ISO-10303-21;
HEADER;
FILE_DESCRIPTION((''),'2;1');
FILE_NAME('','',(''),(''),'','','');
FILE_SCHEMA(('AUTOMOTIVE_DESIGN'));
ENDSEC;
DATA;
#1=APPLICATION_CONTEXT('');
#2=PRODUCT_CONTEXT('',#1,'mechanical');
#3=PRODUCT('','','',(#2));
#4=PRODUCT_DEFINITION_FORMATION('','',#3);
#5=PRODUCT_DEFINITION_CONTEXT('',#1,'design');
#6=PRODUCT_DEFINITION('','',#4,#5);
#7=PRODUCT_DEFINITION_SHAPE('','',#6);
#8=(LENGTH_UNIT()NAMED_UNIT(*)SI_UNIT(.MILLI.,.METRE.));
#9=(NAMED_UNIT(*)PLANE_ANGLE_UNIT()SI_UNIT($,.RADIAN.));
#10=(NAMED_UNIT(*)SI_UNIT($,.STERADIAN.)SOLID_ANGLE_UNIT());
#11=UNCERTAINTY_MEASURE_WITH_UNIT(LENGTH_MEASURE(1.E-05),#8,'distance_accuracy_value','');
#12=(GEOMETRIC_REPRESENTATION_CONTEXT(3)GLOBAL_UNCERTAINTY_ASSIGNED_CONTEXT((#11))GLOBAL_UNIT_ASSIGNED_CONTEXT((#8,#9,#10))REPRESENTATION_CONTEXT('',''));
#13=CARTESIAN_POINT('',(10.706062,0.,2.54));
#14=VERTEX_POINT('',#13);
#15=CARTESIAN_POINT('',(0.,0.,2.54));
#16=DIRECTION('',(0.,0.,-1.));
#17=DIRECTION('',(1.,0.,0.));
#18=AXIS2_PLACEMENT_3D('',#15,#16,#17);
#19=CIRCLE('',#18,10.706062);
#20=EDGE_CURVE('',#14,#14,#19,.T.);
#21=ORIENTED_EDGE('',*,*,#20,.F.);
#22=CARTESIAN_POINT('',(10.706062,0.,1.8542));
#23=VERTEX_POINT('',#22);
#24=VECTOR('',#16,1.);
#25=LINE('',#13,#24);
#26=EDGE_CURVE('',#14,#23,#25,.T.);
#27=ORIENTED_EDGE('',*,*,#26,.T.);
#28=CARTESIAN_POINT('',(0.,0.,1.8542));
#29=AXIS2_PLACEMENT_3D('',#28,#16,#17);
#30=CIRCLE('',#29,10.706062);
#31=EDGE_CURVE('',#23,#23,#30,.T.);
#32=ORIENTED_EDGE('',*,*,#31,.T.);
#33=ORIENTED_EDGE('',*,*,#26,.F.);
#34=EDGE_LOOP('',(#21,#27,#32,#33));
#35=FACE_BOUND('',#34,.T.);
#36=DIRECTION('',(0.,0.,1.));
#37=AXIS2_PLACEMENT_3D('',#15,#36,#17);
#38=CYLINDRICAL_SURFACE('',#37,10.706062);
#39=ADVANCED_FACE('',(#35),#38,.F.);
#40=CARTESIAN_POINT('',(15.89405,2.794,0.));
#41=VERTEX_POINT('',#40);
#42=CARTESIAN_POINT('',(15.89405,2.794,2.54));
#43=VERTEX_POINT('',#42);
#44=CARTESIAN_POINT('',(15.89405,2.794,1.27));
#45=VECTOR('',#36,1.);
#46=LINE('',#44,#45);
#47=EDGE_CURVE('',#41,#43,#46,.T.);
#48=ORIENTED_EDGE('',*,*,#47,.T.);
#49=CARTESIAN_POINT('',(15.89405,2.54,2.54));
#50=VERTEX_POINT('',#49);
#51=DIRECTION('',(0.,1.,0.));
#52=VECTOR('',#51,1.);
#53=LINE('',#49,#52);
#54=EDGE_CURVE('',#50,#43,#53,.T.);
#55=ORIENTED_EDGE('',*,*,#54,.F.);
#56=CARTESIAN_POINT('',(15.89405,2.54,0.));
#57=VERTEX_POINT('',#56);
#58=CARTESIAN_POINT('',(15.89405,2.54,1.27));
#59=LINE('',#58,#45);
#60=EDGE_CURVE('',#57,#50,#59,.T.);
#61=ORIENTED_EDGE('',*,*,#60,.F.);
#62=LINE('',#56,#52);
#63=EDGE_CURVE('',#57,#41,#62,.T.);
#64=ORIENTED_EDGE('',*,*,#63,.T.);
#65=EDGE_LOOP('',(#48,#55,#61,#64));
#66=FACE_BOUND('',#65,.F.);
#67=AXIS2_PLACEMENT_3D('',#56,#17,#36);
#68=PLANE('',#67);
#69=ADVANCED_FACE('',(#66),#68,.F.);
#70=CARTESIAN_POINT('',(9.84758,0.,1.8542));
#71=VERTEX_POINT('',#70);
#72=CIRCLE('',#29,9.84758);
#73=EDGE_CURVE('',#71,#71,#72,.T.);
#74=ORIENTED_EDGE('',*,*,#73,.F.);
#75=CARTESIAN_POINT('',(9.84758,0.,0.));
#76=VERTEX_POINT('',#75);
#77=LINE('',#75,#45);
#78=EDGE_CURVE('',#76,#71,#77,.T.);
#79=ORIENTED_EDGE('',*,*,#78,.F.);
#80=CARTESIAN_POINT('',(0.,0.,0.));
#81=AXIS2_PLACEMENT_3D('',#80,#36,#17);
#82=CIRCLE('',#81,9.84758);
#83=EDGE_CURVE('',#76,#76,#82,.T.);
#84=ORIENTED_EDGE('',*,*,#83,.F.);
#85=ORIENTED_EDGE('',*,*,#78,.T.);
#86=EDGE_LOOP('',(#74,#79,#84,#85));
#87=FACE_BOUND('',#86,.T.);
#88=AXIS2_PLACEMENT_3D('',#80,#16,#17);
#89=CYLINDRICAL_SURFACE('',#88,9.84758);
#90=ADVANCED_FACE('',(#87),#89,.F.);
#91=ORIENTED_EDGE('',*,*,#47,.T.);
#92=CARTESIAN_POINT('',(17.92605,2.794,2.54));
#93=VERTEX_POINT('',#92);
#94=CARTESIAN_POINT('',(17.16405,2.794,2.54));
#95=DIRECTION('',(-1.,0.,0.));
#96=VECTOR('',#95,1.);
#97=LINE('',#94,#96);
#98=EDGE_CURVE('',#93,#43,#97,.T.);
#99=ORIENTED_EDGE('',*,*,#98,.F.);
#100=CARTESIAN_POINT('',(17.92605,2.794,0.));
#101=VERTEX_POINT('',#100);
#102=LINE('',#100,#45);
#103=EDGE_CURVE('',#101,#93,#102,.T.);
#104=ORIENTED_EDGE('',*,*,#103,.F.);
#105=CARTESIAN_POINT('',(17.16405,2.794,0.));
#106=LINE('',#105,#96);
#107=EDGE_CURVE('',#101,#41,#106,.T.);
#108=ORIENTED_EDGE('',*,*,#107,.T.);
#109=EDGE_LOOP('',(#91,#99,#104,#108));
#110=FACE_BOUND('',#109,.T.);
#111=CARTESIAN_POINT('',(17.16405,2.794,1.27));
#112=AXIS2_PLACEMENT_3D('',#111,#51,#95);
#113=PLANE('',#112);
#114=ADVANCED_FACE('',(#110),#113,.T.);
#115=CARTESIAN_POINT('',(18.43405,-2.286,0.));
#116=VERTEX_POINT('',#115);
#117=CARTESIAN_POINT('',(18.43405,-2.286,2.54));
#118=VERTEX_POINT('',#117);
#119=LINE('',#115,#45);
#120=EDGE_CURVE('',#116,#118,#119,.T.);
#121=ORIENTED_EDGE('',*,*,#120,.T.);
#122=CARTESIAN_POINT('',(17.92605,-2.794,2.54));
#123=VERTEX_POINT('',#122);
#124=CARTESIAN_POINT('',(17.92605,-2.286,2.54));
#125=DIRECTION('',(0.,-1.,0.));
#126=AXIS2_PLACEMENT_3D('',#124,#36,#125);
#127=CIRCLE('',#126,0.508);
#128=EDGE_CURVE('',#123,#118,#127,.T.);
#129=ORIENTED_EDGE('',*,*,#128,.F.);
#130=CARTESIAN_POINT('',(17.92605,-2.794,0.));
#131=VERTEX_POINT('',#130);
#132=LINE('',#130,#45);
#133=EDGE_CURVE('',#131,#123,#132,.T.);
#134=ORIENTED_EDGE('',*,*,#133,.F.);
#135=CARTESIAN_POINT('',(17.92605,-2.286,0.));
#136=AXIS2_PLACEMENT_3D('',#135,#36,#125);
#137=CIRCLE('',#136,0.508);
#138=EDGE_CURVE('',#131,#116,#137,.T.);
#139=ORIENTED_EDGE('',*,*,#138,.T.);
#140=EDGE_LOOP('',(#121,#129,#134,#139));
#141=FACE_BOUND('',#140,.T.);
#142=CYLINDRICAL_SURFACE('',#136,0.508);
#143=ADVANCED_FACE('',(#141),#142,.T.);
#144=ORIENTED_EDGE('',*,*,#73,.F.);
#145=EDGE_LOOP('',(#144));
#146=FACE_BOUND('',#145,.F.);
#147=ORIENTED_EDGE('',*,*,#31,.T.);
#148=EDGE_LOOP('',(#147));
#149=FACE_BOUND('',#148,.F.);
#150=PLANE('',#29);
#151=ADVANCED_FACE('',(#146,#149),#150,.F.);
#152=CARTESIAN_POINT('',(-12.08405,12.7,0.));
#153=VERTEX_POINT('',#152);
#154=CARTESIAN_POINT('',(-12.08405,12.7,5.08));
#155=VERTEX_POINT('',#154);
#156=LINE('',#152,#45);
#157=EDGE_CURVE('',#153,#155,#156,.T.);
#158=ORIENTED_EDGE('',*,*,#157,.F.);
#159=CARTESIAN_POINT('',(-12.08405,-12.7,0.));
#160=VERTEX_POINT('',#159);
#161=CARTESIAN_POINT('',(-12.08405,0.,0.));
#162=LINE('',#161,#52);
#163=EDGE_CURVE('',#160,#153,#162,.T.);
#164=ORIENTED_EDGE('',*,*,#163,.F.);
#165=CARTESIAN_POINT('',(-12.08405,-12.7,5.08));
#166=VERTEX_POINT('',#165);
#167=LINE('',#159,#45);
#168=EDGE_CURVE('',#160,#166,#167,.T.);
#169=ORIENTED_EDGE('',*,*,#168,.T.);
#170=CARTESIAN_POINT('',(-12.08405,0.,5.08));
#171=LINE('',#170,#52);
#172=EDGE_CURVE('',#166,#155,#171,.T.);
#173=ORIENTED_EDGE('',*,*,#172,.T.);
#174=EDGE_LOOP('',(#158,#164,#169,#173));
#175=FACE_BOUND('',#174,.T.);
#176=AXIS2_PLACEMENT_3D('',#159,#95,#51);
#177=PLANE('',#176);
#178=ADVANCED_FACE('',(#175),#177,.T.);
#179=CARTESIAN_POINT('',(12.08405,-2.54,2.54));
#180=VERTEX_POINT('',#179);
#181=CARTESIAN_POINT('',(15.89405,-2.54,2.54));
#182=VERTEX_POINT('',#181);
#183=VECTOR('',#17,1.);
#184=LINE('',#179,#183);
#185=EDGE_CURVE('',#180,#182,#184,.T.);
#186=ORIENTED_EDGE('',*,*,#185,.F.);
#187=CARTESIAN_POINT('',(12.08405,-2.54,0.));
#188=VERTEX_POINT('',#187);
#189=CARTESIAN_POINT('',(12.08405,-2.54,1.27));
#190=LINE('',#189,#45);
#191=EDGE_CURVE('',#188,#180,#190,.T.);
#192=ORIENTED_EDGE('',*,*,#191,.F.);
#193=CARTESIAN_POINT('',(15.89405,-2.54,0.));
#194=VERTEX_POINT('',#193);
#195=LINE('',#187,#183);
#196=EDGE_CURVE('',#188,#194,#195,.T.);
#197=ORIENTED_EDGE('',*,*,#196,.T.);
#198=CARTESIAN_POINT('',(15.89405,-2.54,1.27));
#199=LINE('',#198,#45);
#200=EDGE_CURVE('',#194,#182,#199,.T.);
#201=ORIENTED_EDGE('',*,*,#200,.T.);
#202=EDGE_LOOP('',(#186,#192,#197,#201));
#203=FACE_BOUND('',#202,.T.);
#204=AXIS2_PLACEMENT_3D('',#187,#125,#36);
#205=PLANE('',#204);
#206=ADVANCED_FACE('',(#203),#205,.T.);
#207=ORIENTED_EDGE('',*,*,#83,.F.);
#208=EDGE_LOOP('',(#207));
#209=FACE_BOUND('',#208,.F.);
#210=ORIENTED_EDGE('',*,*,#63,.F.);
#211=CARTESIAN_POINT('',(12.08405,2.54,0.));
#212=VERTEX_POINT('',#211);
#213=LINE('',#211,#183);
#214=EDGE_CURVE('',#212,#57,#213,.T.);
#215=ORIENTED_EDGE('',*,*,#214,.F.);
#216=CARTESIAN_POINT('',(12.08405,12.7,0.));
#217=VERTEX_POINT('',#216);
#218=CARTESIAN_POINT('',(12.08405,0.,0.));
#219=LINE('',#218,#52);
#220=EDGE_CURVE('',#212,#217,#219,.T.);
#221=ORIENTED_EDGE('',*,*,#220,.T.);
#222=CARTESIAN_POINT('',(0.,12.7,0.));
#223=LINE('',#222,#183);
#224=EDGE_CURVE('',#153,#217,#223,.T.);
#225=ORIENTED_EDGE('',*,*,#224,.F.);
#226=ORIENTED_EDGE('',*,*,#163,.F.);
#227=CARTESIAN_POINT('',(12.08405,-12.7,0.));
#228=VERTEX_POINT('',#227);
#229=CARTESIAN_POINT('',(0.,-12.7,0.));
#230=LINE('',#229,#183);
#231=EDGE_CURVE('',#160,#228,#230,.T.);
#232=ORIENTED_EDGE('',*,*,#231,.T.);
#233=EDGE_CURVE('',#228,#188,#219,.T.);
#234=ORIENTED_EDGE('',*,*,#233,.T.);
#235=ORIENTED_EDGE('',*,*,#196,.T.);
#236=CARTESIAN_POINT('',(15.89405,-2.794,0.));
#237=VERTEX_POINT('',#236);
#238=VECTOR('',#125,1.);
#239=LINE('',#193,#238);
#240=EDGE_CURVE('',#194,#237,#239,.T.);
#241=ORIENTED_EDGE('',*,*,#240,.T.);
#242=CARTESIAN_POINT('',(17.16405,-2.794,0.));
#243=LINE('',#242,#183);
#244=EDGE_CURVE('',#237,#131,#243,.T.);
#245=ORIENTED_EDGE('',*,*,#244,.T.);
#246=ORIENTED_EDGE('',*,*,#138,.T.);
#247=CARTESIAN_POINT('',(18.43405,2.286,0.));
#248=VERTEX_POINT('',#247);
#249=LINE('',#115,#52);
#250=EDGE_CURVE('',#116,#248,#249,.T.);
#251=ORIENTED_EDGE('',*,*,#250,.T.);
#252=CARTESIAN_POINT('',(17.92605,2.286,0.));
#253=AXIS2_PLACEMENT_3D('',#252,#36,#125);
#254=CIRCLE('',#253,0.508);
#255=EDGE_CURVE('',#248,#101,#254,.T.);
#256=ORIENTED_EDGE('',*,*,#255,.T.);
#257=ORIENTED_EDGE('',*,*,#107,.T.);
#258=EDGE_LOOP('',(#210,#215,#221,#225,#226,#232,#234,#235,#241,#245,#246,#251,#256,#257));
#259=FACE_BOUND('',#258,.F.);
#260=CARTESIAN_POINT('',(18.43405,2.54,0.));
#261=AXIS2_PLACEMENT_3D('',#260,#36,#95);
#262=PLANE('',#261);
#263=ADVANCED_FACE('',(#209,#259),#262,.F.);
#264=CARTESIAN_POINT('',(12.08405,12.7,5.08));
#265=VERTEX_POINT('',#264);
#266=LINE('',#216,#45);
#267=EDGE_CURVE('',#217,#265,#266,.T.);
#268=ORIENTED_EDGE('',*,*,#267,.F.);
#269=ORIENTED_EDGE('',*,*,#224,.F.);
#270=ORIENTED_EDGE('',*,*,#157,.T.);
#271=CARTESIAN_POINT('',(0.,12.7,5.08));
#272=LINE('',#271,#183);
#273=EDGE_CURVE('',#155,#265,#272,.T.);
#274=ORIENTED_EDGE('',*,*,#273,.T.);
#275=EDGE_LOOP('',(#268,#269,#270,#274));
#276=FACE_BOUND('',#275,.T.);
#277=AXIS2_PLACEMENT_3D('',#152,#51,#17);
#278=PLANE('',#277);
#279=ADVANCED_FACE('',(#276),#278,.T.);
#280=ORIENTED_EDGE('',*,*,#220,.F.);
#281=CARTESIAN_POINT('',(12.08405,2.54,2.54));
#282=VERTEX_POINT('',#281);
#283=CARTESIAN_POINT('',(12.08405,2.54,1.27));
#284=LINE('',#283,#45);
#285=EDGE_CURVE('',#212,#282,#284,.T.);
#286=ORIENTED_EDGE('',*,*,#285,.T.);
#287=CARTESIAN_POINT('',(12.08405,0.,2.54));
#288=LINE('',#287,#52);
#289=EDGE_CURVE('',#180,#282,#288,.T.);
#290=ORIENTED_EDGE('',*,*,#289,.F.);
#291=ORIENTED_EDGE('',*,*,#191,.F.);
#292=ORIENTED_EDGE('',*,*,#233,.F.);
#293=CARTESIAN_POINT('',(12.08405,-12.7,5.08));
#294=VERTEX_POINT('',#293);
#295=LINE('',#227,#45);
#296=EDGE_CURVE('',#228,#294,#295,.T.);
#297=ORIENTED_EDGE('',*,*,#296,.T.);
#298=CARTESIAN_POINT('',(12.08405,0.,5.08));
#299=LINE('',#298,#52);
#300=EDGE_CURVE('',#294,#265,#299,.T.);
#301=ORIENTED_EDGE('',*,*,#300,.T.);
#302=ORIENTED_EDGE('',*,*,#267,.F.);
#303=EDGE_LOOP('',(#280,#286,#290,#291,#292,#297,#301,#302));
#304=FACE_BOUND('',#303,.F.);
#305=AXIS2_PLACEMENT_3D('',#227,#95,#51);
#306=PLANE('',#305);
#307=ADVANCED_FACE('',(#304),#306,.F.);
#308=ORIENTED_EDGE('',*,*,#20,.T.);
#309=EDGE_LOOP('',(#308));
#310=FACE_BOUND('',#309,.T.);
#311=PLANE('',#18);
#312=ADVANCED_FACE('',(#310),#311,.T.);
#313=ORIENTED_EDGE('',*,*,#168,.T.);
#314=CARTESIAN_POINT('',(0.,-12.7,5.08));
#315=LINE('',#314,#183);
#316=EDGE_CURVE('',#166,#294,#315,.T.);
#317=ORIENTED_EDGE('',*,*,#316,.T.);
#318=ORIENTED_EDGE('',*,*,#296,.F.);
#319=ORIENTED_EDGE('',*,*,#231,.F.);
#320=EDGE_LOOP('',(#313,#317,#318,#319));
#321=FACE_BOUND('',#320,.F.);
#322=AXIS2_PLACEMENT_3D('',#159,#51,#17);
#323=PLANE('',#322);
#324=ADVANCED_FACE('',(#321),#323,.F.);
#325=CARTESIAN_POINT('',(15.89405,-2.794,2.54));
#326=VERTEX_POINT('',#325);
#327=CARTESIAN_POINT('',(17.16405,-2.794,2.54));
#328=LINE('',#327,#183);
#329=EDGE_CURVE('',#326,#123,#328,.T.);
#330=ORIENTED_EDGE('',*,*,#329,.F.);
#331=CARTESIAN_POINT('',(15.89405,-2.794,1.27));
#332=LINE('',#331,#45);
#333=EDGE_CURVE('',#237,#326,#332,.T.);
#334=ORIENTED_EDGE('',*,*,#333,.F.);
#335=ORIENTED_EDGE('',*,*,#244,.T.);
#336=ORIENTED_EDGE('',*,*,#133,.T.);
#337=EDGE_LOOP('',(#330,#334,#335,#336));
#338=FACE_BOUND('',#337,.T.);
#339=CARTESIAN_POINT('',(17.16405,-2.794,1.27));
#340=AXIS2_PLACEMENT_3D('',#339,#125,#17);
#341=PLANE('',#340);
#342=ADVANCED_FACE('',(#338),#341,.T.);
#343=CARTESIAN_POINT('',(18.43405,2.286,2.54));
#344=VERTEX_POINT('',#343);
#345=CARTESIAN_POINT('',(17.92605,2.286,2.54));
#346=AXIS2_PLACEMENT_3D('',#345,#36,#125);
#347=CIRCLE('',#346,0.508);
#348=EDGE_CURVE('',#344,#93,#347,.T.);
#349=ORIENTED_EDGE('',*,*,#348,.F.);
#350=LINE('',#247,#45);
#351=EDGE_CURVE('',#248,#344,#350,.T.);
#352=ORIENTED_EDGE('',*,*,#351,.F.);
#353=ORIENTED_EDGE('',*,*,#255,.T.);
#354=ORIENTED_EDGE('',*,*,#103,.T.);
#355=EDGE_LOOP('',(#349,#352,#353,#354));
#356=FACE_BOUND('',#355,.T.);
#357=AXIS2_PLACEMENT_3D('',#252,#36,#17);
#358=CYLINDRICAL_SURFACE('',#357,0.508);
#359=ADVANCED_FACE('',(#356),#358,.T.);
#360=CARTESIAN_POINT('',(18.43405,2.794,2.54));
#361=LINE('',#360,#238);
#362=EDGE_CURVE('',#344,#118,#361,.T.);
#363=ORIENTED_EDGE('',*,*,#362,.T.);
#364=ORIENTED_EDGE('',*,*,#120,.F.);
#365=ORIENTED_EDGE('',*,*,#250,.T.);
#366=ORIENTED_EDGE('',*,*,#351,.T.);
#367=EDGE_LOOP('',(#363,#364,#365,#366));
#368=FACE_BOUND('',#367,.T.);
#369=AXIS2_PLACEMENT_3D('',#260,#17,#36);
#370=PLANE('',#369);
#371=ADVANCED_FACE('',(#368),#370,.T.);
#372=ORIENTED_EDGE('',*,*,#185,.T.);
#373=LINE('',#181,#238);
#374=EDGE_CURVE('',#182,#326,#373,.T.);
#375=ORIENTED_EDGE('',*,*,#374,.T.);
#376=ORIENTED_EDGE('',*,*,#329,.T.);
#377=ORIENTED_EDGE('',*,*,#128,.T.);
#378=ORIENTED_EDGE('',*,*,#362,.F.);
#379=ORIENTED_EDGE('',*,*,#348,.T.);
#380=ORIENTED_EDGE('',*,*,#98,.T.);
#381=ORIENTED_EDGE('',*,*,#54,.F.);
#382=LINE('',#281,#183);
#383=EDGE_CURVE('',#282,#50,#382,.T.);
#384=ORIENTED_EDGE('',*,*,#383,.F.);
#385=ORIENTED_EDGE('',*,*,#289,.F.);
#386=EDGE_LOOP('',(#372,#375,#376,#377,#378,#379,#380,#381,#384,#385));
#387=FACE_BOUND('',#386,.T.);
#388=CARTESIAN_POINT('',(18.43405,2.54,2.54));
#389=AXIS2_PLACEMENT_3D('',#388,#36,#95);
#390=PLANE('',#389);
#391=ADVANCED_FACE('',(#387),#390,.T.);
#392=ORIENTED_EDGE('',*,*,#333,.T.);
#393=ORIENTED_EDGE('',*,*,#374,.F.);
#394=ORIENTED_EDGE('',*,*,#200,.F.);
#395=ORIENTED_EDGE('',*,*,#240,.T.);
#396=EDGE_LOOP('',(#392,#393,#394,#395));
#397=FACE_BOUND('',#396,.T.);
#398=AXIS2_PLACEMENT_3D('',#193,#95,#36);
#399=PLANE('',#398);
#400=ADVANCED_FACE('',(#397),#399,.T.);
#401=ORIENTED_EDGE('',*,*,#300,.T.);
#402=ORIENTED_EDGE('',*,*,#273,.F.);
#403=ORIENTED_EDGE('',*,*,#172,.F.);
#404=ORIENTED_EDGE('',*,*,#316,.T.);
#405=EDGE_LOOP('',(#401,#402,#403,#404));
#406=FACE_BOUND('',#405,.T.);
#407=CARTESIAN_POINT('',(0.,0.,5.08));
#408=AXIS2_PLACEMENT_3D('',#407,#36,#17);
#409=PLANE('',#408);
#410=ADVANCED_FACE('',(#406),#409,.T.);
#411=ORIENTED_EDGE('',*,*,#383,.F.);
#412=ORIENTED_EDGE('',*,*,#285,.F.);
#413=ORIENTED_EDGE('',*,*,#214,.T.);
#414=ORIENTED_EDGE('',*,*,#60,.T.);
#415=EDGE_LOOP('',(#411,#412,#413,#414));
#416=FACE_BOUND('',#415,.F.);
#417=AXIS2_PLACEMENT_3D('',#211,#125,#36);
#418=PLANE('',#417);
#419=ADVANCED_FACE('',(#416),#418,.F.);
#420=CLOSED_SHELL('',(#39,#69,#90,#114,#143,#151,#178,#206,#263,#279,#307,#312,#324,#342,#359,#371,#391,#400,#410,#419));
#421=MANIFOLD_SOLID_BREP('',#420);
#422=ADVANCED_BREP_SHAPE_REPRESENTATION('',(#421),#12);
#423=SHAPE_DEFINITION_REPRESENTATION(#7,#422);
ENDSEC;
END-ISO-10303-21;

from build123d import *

# Parameters (mm, degrees)
F0_W      = 24.1681
F0_H      = 25.4
F1_DEPTH  = 5.08
F2_R      = 9.84758
F3_DEPTH  = 2.54
F4_R      = 10.706062
F4_R_2    = 9.84758
F5_DEPTH  = 0.6858
F6_W      = 5.08
F6_H      = 2.54
F7_DEPTH  = 6.35
F8_W      = 2.54
F8_H      = 2.54
F9_DEPTH  = 0.254
F10_R     = 0.508
F11_W     = 2.54
F11_H     = 2.54
F12_DEPTH = 0.254
F13_R     = 0.508


with BuildPart() as f1:
    # F0 (on Top) → F1 (new body)
    with BuildSketch(Plane.XY):
        Rectangle(F0_W, F0_H)
    extrude(amount=F1_DEPTH)

    # F2 (on Top) → F3 (cut)
    with BuildSketch(Plane.XY):
        Circle(F2_R)
    extrude(amount=F3_DEPTH, mode=Mode.SUBTRACT)

    # F4 (on face) → F5 (cut)
    with BuildSketch(Plane(origin=(0, 0, 2.54), x_dir=(1, 0, 0), z_dir=(0, 0, -1))):
        Circle(F4_R)
        Circle(F4_R_2, mode=Mode.SUBTRACT)
    extrude(amount=F5_DEPTH, mode=Mode.SUBTRACT)

    # F6 (on face) → F7 (join)
    with BuildSketch(Plane.YZ.offset(12.08405)):
        with Locations((0, 1.27)):
            Rectangle(F6_W, F6_H)
    extrude(amount=F7_DEPTH)

    # F8 (on face) → F9 (join)
    with BuildSketch(Plane.XZ.offset(2.54)):
        with Locations((17.16405, 1.27)):
            Rectangle(F8_W, F8_H)
    extrude(amount=F9_DEPTH)

    # F10
    f10_edges = [f1.edges().sort_by_distance(p)[0] for p in [
        (18.43405, -2.794, 1.27),
    ]]
    fillet(f10_edges, radius=F10_R)

    # F11 (on face) → F12 (join)
    with BuildSketch(Plane(origin=(0, 2.54, 0), x_dir=(-1, 0, 0), z_dir=(0, 1, 0))):
        with Locations((-17.16405, 1.27)):
            Rectangle(F11_W, F11_H)
    extrude(amount=F12_DEPTH)

    # F13
    f13_edges = [f1.edges().sort_by_distance(p)[0] for p in [
        (18.43405, 2.794, 1.27),
    ]]
    fillet(f13_edges, radius=F13_R)


solid = f1.part
